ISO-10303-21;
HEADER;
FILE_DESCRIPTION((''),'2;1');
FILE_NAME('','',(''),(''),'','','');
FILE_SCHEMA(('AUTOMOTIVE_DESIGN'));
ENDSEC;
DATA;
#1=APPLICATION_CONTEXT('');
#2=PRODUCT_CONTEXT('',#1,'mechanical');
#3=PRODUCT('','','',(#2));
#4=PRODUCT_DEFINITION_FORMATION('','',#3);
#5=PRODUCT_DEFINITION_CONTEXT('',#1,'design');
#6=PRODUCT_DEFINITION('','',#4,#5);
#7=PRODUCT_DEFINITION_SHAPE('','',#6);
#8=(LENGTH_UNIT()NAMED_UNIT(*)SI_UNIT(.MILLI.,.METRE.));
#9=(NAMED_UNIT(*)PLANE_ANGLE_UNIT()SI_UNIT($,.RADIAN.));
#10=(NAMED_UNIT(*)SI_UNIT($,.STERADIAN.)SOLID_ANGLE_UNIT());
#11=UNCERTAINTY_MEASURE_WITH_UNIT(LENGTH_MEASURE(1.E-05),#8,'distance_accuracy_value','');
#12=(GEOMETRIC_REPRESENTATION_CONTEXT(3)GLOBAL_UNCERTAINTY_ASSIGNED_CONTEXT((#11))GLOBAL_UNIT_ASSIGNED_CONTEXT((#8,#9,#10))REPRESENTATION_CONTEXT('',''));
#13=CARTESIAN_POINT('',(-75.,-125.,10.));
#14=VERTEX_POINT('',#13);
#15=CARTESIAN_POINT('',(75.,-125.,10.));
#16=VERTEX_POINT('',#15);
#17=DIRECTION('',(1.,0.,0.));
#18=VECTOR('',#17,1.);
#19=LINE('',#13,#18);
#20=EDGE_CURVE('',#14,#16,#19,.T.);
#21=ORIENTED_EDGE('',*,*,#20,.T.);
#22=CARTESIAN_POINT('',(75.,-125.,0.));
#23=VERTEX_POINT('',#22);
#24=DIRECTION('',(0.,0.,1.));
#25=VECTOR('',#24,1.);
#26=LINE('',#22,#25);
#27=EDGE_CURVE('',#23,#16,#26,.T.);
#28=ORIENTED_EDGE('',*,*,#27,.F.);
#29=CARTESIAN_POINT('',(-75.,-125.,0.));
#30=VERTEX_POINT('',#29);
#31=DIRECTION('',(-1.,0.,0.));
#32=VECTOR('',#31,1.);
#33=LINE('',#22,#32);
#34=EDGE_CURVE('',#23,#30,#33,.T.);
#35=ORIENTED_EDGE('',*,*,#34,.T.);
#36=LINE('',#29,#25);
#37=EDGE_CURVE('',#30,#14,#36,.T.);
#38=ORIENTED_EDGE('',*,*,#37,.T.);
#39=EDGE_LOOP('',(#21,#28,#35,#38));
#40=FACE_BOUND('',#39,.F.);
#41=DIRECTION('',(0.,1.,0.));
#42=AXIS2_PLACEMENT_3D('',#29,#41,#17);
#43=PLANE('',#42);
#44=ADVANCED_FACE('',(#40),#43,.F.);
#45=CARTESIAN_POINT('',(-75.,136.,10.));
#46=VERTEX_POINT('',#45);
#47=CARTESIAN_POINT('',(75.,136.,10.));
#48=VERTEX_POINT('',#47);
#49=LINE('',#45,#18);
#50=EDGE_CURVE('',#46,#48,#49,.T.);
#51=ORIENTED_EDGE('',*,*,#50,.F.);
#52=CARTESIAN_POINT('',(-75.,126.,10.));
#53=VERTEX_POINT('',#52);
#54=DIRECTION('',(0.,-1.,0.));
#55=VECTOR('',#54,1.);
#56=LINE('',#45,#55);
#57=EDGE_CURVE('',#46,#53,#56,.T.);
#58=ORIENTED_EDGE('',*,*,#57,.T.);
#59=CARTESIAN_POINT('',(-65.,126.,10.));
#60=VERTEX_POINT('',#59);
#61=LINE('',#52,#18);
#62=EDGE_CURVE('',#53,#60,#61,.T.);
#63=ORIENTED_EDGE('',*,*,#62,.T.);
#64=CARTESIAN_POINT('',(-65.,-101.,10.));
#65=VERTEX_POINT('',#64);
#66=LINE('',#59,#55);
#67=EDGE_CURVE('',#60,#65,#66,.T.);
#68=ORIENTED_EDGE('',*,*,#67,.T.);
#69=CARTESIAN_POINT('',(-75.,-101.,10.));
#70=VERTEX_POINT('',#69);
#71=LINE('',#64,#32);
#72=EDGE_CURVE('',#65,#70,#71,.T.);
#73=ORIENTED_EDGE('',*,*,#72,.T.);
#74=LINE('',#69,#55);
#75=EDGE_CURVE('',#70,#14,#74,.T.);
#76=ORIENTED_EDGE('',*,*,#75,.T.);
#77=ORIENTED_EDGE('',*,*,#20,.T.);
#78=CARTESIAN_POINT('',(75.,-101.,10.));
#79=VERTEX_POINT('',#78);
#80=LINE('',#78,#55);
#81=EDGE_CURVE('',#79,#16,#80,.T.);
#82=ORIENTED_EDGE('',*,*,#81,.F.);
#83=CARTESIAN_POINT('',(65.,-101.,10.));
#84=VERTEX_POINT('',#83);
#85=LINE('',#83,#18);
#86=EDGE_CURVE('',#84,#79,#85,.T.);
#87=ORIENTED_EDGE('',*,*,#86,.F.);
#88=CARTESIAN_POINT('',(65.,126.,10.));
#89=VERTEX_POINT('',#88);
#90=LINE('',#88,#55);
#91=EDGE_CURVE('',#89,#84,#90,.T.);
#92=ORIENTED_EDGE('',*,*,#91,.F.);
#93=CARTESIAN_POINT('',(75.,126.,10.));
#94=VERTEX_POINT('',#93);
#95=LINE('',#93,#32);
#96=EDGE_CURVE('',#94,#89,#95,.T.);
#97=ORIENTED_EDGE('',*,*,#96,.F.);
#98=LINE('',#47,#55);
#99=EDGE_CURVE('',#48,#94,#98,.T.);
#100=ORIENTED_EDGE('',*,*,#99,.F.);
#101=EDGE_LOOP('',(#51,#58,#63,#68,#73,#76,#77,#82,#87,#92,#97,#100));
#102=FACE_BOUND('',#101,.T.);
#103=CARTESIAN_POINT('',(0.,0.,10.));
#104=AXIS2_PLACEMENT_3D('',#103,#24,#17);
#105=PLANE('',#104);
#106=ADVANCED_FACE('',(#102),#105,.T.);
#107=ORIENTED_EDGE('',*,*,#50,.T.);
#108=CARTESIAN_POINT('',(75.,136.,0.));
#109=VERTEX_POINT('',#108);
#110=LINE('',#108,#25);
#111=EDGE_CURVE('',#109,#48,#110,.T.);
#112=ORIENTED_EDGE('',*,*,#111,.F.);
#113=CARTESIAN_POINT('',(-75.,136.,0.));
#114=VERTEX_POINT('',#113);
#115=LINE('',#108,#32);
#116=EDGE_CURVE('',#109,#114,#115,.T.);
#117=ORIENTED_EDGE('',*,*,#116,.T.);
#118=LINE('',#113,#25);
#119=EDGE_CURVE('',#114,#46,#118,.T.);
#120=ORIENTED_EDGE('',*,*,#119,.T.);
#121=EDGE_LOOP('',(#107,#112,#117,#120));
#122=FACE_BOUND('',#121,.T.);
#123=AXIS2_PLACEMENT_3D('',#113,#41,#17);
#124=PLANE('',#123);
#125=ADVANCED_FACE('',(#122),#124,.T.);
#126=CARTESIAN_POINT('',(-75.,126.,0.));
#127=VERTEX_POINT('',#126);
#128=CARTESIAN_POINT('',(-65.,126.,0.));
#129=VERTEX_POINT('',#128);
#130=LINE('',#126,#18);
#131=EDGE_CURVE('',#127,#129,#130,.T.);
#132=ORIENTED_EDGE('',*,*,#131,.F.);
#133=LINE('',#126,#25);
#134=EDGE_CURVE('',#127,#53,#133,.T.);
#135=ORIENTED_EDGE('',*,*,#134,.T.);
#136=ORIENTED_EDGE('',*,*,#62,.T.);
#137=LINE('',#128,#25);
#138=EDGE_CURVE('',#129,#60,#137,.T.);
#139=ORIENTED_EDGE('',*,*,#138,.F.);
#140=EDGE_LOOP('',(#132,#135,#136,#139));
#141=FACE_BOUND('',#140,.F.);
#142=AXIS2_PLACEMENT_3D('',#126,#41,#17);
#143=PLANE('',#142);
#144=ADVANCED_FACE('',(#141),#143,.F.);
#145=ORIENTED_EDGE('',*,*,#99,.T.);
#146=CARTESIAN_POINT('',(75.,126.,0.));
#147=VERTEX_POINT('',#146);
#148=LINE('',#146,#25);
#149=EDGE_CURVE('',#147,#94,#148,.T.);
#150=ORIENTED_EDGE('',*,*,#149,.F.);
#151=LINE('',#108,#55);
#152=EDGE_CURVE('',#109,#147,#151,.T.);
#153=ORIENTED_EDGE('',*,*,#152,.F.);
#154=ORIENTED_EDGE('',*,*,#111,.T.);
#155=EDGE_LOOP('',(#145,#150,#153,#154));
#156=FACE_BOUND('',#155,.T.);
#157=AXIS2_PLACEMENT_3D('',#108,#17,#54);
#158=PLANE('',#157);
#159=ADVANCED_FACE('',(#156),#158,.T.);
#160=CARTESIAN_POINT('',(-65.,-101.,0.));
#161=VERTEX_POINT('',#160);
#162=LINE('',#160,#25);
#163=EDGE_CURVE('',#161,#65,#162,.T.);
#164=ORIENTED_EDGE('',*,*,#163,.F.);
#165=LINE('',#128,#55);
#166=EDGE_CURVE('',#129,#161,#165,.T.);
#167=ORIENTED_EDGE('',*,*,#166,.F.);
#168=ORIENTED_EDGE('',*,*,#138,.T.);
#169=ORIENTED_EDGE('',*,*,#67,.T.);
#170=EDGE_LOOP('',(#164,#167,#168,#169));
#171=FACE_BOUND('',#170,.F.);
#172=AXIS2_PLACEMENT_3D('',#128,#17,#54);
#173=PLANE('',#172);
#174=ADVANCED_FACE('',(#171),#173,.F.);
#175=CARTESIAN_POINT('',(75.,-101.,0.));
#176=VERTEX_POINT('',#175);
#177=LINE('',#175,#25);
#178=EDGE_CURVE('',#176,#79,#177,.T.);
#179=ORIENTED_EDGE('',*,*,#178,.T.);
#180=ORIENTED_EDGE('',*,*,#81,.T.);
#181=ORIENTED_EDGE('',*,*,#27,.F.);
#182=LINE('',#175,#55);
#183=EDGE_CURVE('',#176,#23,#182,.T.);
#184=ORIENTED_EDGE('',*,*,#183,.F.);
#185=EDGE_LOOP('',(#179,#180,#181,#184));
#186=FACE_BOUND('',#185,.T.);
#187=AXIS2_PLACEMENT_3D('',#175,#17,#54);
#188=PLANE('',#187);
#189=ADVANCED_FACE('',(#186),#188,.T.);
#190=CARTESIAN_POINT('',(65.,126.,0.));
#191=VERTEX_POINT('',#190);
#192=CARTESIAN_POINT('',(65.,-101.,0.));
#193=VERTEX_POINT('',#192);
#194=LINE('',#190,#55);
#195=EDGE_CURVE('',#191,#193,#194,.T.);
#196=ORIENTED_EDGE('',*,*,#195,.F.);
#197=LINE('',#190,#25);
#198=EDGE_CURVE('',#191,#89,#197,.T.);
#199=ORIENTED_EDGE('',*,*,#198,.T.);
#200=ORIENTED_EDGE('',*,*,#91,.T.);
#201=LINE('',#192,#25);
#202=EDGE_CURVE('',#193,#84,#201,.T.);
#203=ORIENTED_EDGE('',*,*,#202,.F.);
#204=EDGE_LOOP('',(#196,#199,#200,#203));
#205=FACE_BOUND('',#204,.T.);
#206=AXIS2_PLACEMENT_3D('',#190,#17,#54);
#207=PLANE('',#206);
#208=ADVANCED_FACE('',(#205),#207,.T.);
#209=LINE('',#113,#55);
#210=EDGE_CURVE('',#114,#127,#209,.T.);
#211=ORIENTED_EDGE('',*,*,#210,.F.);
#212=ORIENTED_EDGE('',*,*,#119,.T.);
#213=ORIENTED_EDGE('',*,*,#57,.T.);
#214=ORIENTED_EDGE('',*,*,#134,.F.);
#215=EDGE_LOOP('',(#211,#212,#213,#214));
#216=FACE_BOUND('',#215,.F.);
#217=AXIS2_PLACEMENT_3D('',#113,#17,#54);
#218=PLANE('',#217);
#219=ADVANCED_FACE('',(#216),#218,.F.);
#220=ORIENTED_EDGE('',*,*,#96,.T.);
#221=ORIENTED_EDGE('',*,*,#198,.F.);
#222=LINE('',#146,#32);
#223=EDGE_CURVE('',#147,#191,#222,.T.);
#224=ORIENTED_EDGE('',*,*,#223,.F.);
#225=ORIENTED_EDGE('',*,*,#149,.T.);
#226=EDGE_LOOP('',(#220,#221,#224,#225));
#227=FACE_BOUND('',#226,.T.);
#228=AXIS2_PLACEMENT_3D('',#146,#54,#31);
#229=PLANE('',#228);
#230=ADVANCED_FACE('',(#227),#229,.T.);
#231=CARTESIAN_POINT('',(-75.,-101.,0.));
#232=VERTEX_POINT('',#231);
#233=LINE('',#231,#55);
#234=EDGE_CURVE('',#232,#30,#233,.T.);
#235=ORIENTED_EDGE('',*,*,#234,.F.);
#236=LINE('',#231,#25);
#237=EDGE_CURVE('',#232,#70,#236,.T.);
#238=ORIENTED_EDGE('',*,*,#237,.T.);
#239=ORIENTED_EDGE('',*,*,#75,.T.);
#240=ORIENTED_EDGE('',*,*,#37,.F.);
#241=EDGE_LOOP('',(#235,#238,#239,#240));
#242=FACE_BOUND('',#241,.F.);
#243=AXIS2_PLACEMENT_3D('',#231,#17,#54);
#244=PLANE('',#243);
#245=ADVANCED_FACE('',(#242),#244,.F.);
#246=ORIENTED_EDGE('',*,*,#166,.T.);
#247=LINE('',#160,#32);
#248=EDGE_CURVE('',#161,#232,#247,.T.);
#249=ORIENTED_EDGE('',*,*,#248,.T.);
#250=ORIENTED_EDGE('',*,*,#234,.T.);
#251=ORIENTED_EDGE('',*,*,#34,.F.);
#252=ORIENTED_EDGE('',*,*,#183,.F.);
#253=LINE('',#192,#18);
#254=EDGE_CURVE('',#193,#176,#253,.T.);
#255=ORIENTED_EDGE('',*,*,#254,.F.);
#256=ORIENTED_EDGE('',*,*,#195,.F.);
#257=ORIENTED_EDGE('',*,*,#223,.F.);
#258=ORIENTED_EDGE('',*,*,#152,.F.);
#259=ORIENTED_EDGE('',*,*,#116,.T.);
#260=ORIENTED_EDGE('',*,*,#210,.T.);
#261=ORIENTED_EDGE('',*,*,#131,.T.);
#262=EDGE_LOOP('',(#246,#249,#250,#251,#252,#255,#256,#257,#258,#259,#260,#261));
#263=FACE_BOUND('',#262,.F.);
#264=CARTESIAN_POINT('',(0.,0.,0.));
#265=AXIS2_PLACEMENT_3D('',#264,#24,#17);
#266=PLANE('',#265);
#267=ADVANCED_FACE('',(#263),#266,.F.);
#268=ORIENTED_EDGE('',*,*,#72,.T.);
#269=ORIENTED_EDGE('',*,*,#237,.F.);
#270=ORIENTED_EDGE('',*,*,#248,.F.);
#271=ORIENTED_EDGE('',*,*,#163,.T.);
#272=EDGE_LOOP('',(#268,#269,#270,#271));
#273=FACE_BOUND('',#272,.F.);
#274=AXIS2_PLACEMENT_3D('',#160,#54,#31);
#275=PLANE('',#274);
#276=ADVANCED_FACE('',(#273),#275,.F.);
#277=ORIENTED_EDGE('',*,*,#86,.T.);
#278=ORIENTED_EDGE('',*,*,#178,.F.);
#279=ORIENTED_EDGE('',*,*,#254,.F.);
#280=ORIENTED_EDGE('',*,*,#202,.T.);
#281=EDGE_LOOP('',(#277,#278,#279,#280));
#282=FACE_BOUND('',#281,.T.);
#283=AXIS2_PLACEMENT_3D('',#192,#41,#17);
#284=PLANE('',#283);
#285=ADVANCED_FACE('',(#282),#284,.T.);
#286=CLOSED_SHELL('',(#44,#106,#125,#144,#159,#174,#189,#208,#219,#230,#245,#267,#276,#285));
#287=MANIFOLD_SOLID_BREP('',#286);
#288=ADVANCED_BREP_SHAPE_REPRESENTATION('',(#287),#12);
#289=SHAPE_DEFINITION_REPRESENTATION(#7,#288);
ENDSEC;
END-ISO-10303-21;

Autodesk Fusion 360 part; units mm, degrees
sketch "Esquisse1" plane through (0, 0, 0) normal (0, 0, 1) x (1, 0, 0)
  line L0 (75, -125) -> (-75, -125) construction
  line L1 (-75, -125) -> (-75, 125) construction
  line L2 (-75, 125) -> (75, 125) construction
  line L3 (75, 125) -> (75, -125) construction
  line L4 (75, -125) -> (-75, 125) construction
  line L5 (-75, -125) -> (75, 125) construction
  line L6 (-75, 125) -> (75, 125) construction
  line L7 (75, 125) -> (75, 136) construction
  line L8 (75, 136) -> (-75, 136) construction
  line L9 (-75, 136) -> (-75, 125) construction
  line L10 (-75, 136) -> (-75, 126)
  line L11 (-75, 126) -> (-65, 126)
  line L12 (-65, 126) -> (-65, -101)
  line L13 (-65, -101) -> (-75, -101)
  line L14 (-75, -101) -> (-75, -125)
  line L15 (-75, -125) -> (0, -125)
  line L16 (0, -125) -> (0, -120)
  line L17 (0, -120) -> (0, 136)
  line L18 (-75, 136) -> (0, 136)
  line L19 (75, 136) -> (0, 136)
  line L20 (75, 136) -> (75, 125) construction
  line L21 (0, -120) -> (0, 136)
  line L22 (0, -125) -> (0, -120)
  line L23 (75, -101) -> (75, -125)
  line L24 (75, -125) -> (0, -125)
  line L25 (65, -101) -> (75, -101)
  line L26 (75, -125) -> (75, 125) construction
  line L27 (75, 126) -> (65, 126)
  line L28 (75, 136) -> (75, 126)
  line L29 (65, 126) -> (65, -101)
  dimension "d1" = 150
  dimension "d2" = 250
  dimension "d3" = 11
  dimension "d4" = 10
  dimension "d5" = 10
  dimension "d6" = 24
extrude "Extrusion1" add sketch "Esquisse1" along normal blind 10
